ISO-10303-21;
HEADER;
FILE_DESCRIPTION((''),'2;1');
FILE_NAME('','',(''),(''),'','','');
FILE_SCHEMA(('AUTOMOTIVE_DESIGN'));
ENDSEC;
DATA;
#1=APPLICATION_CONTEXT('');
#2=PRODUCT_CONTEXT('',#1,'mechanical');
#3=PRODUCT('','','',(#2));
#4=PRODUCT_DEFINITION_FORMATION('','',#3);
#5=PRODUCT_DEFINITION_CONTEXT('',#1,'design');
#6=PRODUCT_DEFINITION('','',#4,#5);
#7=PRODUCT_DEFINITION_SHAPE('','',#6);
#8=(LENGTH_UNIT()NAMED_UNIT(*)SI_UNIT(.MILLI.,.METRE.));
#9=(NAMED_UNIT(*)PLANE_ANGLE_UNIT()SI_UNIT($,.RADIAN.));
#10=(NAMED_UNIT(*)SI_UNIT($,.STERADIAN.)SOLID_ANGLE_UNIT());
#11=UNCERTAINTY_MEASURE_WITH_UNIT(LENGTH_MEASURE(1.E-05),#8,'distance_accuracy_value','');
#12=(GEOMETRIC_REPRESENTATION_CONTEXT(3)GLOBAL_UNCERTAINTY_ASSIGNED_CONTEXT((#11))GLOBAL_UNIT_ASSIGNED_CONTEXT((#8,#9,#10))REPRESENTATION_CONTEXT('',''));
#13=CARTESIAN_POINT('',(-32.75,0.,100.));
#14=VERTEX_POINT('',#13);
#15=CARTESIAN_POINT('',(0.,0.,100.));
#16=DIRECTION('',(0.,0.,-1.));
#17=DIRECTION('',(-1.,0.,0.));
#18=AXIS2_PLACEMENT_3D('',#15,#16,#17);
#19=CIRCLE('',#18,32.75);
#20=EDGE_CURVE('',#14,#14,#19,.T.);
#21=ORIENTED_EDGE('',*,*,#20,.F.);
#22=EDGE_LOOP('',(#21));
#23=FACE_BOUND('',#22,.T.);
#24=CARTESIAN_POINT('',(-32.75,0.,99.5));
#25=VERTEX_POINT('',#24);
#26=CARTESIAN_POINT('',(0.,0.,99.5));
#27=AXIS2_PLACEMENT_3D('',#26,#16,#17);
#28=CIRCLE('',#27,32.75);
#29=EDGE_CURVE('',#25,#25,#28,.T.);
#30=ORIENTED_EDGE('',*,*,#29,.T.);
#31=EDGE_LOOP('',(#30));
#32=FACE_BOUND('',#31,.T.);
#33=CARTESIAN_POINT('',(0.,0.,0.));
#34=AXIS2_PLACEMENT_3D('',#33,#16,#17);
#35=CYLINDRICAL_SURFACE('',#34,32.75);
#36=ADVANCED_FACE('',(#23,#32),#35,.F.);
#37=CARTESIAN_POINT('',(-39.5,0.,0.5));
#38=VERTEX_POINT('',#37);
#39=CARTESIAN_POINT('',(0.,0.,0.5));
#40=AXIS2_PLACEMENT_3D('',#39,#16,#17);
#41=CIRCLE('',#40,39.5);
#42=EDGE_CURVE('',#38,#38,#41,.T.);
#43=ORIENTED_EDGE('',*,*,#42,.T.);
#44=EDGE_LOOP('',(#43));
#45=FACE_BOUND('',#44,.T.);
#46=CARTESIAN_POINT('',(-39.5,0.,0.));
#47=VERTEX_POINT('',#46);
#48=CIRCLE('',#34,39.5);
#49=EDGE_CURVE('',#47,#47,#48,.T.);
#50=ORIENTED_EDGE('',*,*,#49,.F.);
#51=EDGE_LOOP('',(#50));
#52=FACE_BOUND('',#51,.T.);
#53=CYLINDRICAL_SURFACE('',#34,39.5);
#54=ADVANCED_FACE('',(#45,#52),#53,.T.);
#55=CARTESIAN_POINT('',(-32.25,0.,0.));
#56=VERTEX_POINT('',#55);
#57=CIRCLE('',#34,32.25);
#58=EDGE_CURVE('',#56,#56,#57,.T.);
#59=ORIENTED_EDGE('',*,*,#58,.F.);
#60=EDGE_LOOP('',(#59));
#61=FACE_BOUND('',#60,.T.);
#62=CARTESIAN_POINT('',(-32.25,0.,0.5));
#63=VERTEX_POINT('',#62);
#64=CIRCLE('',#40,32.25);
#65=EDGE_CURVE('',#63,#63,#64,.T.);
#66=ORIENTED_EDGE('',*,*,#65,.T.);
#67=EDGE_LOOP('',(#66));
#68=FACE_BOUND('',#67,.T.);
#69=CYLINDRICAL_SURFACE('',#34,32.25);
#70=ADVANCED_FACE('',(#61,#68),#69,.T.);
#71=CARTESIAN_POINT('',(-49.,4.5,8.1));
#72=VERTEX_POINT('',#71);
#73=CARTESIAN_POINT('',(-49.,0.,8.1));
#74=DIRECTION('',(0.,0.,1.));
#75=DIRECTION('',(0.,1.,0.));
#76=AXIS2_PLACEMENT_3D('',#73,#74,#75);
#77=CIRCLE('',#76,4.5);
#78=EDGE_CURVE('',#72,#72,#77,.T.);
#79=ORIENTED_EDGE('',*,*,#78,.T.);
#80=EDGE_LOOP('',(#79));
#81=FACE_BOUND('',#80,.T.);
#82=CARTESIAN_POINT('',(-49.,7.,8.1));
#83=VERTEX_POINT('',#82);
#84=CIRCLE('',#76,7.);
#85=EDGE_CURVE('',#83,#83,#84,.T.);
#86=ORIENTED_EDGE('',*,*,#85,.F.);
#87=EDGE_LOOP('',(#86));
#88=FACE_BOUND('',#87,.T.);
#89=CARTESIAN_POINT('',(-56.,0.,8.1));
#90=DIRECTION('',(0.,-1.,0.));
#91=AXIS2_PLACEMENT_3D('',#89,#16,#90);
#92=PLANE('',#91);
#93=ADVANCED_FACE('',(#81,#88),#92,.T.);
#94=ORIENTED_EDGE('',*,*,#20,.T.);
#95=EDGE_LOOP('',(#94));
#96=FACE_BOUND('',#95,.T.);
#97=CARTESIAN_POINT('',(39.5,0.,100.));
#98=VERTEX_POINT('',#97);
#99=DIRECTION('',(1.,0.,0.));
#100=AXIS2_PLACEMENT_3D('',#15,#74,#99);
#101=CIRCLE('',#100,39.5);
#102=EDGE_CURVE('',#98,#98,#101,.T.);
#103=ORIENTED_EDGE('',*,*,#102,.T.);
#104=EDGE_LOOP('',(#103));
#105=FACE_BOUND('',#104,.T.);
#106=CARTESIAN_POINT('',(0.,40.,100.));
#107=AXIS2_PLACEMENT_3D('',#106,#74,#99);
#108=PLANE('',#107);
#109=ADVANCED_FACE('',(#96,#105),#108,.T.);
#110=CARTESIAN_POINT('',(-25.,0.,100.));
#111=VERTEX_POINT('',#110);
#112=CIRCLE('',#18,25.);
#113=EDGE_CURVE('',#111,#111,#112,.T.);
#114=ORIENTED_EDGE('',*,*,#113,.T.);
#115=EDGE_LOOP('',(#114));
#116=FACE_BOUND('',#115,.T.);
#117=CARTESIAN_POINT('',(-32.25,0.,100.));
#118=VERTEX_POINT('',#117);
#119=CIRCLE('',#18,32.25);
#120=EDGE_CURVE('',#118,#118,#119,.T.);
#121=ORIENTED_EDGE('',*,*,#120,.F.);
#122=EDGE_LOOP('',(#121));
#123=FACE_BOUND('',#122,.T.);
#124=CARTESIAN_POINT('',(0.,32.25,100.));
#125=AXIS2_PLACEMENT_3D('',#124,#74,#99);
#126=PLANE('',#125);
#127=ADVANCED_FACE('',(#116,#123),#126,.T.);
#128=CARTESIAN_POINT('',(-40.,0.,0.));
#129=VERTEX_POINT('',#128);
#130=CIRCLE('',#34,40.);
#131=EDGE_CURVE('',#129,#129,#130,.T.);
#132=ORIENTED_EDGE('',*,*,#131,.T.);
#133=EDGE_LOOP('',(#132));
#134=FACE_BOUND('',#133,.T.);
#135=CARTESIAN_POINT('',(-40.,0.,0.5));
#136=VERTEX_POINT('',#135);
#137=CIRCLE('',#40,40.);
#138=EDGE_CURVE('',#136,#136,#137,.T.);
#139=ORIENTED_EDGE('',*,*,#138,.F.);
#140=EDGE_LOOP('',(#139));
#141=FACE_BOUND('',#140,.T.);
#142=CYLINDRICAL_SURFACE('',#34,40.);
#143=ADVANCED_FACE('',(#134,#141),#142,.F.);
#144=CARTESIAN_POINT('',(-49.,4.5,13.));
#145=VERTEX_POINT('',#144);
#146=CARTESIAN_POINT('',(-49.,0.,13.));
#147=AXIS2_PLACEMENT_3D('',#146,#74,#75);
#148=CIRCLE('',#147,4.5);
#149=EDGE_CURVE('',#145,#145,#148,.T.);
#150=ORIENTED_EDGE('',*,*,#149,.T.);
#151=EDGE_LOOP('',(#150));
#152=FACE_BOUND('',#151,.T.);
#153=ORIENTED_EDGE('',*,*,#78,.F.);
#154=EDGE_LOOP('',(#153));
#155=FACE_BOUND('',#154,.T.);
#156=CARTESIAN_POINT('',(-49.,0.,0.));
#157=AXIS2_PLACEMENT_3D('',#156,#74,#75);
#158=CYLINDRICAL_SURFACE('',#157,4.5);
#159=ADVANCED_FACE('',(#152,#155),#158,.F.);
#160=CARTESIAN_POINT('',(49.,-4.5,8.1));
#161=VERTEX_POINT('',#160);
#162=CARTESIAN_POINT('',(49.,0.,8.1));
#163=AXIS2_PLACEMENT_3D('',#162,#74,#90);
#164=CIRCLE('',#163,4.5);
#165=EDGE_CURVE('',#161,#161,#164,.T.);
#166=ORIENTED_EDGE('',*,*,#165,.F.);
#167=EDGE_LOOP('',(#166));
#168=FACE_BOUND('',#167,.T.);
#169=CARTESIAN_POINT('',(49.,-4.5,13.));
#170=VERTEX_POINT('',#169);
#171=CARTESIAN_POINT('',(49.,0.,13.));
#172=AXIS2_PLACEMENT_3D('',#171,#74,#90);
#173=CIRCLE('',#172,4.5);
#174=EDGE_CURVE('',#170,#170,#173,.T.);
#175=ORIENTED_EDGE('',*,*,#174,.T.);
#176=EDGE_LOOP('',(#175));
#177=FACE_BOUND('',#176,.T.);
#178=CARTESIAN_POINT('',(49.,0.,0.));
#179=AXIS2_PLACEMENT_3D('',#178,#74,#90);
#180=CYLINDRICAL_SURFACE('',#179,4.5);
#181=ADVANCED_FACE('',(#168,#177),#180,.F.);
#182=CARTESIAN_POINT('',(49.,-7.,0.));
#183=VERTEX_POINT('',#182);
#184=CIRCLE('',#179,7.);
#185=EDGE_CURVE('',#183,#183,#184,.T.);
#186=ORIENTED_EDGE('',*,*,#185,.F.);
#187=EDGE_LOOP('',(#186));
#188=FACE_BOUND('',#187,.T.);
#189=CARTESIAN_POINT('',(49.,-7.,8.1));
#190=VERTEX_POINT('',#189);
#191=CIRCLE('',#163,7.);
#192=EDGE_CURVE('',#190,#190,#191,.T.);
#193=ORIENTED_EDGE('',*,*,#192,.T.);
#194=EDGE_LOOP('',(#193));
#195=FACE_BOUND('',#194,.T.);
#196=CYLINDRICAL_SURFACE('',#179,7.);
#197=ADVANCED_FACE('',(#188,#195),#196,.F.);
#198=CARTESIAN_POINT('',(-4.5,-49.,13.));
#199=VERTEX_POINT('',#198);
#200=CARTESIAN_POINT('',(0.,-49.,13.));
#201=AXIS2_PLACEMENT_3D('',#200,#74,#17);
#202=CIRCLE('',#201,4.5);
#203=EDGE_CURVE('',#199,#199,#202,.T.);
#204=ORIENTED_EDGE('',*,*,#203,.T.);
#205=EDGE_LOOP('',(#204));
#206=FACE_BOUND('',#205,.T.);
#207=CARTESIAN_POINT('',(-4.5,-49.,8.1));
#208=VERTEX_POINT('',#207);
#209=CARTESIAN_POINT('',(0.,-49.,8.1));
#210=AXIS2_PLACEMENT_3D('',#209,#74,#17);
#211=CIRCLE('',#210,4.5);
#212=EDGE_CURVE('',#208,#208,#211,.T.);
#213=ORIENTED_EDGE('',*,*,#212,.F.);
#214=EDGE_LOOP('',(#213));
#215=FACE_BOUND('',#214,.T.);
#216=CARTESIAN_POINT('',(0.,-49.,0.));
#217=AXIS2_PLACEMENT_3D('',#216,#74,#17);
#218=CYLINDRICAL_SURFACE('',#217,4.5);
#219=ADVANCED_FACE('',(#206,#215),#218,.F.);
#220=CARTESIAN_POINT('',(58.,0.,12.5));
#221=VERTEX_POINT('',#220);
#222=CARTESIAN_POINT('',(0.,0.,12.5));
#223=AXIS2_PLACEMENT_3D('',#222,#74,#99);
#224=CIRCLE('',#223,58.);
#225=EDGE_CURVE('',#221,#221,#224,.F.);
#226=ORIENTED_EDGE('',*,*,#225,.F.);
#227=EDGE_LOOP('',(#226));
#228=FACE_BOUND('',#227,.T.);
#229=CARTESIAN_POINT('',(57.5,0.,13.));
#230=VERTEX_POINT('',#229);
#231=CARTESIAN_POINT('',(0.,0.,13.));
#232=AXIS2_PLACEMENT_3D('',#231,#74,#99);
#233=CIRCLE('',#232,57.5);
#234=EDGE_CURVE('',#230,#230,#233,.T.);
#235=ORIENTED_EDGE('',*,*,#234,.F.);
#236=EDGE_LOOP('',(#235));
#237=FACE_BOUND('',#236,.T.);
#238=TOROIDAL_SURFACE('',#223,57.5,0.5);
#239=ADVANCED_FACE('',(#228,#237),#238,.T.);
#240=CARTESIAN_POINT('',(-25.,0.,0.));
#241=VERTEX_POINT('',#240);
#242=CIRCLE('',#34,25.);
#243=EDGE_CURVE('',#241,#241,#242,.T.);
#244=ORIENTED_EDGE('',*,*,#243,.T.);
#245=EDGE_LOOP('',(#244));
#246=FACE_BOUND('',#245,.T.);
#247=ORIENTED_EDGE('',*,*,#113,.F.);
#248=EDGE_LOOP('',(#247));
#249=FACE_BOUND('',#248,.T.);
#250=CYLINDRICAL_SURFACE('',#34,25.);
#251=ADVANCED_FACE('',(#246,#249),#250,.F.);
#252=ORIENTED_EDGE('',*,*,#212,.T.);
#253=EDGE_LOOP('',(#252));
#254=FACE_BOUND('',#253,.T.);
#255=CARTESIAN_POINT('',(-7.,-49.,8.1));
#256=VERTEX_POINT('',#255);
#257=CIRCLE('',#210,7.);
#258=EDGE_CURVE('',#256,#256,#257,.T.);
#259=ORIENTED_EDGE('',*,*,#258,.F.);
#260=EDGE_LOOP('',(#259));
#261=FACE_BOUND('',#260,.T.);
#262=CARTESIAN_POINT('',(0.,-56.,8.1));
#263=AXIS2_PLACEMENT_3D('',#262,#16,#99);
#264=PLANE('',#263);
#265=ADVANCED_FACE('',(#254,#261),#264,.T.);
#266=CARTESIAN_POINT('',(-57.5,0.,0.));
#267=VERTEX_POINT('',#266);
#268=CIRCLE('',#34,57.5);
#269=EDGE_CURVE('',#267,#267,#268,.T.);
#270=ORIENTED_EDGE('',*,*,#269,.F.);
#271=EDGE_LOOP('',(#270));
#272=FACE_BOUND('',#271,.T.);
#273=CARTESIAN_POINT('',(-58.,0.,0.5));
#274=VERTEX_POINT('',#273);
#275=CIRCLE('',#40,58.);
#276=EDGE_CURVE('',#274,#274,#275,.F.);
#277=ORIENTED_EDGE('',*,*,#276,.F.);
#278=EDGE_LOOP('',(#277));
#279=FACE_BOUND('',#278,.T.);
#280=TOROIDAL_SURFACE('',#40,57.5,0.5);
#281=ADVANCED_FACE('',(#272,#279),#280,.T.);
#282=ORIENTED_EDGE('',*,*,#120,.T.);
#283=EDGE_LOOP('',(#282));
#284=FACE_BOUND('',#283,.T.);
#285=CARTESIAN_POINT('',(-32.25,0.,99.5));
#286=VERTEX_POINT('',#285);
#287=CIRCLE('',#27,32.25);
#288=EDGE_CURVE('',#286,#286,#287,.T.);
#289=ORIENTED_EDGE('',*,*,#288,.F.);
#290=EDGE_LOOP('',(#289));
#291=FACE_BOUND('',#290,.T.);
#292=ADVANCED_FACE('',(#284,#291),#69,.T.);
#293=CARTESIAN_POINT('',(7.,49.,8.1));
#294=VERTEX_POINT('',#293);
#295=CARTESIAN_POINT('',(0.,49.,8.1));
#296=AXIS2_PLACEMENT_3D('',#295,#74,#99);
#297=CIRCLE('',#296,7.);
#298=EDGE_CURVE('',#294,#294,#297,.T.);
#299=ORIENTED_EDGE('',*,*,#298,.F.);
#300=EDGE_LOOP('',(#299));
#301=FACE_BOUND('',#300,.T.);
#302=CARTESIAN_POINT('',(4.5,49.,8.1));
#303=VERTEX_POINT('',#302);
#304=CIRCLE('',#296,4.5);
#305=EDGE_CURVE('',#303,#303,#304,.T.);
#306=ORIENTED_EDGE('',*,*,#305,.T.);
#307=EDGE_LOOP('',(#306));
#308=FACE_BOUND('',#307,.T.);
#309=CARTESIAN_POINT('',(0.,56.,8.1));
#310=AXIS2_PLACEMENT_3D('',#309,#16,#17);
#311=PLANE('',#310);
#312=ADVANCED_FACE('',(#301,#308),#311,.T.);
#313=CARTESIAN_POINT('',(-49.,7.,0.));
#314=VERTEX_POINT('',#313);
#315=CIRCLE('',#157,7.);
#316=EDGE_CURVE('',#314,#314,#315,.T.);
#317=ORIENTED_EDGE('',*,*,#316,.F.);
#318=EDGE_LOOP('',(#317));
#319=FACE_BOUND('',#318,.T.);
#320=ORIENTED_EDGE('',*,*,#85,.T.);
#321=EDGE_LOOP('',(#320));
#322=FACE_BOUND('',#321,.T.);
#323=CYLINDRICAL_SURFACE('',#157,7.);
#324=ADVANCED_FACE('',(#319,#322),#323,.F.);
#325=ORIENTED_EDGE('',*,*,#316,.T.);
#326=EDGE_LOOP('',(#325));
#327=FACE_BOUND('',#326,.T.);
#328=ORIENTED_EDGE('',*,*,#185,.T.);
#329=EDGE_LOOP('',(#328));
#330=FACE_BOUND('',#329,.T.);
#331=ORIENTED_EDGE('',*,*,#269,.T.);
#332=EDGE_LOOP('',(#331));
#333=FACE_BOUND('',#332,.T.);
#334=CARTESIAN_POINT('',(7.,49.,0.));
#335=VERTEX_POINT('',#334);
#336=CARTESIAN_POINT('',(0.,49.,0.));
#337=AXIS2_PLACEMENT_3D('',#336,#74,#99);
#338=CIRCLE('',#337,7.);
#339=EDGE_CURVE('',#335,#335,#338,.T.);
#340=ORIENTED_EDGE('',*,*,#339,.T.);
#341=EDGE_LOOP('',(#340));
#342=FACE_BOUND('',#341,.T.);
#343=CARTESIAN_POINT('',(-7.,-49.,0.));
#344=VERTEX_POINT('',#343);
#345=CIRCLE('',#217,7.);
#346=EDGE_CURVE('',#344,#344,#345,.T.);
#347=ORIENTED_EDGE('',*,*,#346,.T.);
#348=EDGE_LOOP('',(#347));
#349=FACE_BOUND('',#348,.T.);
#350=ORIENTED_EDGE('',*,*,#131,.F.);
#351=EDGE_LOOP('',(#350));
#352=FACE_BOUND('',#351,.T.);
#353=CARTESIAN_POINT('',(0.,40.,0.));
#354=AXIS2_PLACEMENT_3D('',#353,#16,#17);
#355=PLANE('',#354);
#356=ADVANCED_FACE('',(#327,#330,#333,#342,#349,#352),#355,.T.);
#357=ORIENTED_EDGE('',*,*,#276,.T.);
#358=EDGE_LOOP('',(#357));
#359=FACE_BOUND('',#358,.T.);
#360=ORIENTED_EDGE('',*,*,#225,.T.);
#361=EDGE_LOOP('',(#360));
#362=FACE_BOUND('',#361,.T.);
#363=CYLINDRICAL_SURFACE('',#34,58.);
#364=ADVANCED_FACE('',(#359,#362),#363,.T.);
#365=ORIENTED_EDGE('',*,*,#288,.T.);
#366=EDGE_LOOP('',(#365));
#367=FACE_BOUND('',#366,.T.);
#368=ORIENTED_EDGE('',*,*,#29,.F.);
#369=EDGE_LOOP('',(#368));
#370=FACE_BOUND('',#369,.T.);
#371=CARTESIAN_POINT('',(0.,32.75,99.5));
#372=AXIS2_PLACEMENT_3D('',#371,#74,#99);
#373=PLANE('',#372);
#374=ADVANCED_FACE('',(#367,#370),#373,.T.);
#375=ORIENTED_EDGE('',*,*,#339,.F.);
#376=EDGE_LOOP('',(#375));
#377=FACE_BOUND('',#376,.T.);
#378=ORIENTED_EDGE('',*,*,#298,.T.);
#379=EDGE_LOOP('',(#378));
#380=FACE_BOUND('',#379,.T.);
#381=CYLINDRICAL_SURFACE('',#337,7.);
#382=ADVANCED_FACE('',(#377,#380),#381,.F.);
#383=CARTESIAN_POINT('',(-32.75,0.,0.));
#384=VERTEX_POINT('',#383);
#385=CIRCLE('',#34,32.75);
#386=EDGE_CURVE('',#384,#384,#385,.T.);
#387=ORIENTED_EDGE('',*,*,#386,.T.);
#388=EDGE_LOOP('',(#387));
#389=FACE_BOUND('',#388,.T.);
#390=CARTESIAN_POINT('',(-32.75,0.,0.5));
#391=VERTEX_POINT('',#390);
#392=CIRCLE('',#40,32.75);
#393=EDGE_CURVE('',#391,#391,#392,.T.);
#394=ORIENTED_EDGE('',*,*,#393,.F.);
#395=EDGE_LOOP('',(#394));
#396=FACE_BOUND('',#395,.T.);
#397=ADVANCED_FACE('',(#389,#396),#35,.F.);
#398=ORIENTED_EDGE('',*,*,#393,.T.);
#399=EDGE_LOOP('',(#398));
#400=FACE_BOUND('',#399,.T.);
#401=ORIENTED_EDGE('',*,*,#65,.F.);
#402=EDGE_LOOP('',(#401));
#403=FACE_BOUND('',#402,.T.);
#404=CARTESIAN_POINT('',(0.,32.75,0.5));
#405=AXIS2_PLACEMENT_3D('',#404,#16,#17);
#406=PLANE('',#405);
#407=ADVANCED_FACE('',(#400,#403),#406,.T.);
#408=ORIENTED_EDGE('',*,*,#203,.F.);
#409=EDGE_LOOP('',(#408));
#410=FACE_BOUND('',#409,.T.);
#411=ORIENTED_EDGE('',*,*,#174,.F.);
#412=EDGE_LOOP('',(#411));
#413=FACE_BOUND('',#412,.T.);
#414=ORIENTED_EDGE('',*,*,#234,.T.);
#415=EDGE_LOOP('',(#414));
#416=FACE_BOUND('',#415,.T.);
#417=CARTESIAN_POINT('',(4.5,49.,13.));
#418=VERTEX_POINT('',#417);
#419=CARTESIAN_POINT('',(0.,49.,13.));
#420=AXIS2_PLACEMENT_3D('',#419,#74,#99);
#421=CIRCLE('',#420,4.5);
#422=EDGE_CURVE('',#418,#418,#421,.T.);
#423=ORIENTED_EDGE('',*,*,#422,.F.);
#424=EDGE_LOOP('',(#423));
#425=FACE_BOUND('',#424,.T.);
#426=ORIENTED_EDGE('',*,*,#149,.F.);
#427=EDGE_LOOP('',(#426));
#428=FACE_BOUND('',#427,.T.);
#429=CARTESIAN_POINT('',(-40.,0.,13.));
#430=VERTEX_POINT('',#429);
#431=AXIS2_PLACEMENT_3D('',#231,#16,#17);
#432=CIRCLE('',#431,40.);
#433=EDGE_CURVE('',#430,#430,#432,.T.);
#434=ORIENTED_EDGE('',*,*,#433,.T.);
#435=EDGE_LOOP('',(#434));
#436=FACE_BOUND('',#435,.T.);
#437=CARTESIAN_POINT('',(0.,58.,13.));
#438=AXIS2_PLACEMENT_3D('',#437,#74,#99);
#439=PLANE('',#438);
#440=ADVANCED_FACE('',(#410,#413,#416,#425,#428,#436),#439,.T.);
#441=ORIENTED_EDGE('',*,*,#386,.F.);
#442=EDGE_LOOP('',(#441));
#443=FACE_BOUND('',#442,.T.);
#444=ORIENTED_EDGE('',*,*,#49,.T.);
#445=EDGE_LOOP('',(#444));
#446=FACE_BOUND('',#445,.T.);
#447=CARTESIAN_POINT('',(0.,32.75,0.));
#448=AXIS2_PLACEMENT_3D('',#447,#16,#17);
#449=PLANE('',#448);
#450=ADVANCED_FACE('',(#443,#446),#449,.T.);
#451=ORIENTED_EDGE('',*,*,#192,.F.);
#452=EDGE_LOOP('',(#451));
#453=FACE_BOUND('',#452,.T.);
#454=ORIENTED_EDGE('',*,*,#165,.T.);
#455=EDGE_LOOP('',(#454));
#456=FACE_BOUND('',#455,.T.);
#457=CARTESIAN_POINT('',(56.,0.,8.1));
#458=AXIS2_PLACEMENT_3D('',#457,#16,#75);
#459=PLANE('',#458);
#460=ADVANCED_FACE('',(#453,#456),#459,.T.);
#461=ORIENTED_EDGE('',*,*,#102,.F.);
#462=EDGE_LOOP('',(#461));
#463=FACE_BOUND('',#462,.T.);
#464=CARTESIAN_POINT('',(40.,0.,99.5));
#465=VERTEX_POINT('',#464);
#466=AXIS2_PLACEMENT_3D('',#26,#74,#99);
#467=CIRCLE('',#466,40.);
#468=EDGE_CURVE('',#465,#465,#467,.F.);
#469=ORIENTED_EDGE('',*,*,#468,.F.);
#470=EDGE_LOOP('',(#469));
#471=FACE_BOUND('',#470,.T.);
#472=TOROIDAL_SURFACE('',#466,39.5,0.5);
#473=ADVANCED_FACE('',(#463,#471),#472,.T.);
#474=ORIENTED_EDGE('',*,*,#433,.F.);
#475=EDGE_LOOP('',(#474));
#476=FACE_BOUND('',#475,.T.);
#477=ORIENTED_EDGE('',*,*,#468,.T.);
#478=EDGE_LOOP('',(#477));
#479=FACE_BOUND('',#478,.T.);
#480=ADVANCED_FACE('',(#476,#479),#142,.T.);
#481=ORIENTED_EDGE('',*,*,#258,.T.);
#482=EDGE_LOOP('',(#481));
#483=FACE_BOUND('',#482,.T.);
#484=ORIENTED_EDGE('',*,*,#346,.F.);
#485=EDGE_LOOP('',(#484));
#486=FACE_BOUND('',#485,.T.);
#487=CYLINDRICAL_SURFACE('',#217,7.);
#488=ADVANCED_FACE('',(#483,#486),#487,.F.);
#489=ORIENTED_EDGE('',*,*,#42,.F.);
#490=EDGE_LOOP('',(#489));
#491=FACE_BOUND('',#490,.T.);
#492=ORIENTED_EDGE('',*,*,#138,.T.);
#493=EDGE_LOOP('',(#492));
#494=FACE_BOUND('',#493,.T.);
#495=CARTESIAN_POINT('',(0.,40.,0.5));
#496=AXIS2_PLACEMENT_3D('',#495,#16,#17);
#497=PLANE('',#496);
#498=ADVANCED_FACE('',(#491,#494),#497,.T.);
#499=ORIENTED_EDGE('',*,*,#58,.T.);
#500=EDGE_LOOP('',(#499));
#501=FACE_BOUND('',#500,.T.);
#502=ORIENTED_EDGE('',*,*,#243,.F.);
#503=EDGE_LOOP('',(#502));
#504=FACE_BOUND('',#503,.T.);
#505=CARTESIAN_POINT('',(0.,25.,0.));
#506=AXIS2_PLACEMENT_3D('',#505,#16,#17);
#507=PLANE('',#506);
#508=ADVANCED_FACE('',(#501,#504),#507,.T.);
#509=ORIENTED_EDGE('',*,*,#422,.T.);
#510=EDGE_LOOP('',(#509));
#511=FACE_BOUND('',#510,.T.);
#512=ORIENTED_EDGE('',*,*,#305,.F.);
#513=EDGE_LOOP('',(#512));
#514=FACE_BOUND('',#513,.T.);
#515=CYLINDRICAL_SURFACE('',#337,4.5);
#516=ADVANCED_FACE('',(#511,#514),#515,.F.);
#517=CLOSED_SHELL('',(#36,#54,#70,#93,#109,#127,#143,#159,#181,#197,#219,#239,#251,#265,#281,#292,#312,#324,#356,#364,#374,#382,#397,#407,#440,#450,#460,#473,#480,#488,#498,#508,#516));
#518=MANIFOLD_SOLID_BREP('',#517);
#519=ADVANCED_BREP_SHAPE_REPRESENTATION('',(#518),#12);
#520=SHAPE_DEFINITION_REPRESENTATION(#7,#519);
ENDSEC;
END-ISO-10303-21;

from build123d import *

# Parameters (mm, degrees)
PADR_OCIRCULAR1_COUNT = 4
FILETE1_R             = 0.5


with BuildPart() as part:
    # Esboço1 → Revolução1 (revolve)
    with BuildSketch(Plane(origin=(0, 0, 0), x_dir=(0, 0, -1), z_dir=(1, 0, 0)), mode=Mode.PRIVATE) as revolu_o1_sk:
        Polygon((0, 25), (0, 32.25), (-0.5, 32.25), (-0.5, 32.75), (0, 32.75), (0, 39.5), (-0.5, 39.5), (-0.5, 40), (0, 40), (0, 58), (-13, 58), (-13, 40), (-100, 40), (-100, 32.75), (-99.5, 32.75), (-99.5, 32.25), (-100, 32.25), (-100, 25), align=None)
    revolve(revolu_o1_sk.sketch.rotate(Axis((0, 0, 0), (0, 0, 1)), 90), axis=Axis((0, 0, 0), (0, 0, 1)))  # turned: the seam where the file's is

    # Esboço5 → Corte-Revolução1 (revolve, cut)
    with BuildSketch(Plane(origin=(0, 0, 0), x_dir=(0, 0, -1), z_dir=(1, 0, 0)), mode=Mode.PRIVATE) as corte_revolu_o1_sk:
        Polygon((0, 56), (-8.1, 56), (-8.1, 53.5), (-13, 53.5), (-13, 49), (0, 49), align=None)
    corte_revolu_o1 = revolve(corte_revolu_o1_sk.sketch.rotate(Axis((0, 49, 0), (0, 0, -1)), 90), axis=Axis((0, 49, 0), (0, 0, -1)), mode=Mode.SUBTRACT)  # turned: the seam where the file's is

    # PadrãoCircular1: Corte-Revolução1 ×4 about axis
    padr_ocircular1_axis = Axis((0, 0, 0), (0, 0, 1))
    for i in range(1, PADR_OCIRCULAR1_COUNT):
        add(corte_revolu_o1.rotate(padr_ocircular1_axis, i * 360 / PADR_OCIRCULAR1_COUNT), mode=Mode.SUBTRACT)

    # Filete1
    filete1_edges = [part.edges().sort_by_distance(p)[0] for p in [
        (40, 0, 100),
        (58, 0, 13),
        (58, 0, 0),
    ]]
    fillet(filete1_edges, radius=FILETE1_R)


solid = part.part
